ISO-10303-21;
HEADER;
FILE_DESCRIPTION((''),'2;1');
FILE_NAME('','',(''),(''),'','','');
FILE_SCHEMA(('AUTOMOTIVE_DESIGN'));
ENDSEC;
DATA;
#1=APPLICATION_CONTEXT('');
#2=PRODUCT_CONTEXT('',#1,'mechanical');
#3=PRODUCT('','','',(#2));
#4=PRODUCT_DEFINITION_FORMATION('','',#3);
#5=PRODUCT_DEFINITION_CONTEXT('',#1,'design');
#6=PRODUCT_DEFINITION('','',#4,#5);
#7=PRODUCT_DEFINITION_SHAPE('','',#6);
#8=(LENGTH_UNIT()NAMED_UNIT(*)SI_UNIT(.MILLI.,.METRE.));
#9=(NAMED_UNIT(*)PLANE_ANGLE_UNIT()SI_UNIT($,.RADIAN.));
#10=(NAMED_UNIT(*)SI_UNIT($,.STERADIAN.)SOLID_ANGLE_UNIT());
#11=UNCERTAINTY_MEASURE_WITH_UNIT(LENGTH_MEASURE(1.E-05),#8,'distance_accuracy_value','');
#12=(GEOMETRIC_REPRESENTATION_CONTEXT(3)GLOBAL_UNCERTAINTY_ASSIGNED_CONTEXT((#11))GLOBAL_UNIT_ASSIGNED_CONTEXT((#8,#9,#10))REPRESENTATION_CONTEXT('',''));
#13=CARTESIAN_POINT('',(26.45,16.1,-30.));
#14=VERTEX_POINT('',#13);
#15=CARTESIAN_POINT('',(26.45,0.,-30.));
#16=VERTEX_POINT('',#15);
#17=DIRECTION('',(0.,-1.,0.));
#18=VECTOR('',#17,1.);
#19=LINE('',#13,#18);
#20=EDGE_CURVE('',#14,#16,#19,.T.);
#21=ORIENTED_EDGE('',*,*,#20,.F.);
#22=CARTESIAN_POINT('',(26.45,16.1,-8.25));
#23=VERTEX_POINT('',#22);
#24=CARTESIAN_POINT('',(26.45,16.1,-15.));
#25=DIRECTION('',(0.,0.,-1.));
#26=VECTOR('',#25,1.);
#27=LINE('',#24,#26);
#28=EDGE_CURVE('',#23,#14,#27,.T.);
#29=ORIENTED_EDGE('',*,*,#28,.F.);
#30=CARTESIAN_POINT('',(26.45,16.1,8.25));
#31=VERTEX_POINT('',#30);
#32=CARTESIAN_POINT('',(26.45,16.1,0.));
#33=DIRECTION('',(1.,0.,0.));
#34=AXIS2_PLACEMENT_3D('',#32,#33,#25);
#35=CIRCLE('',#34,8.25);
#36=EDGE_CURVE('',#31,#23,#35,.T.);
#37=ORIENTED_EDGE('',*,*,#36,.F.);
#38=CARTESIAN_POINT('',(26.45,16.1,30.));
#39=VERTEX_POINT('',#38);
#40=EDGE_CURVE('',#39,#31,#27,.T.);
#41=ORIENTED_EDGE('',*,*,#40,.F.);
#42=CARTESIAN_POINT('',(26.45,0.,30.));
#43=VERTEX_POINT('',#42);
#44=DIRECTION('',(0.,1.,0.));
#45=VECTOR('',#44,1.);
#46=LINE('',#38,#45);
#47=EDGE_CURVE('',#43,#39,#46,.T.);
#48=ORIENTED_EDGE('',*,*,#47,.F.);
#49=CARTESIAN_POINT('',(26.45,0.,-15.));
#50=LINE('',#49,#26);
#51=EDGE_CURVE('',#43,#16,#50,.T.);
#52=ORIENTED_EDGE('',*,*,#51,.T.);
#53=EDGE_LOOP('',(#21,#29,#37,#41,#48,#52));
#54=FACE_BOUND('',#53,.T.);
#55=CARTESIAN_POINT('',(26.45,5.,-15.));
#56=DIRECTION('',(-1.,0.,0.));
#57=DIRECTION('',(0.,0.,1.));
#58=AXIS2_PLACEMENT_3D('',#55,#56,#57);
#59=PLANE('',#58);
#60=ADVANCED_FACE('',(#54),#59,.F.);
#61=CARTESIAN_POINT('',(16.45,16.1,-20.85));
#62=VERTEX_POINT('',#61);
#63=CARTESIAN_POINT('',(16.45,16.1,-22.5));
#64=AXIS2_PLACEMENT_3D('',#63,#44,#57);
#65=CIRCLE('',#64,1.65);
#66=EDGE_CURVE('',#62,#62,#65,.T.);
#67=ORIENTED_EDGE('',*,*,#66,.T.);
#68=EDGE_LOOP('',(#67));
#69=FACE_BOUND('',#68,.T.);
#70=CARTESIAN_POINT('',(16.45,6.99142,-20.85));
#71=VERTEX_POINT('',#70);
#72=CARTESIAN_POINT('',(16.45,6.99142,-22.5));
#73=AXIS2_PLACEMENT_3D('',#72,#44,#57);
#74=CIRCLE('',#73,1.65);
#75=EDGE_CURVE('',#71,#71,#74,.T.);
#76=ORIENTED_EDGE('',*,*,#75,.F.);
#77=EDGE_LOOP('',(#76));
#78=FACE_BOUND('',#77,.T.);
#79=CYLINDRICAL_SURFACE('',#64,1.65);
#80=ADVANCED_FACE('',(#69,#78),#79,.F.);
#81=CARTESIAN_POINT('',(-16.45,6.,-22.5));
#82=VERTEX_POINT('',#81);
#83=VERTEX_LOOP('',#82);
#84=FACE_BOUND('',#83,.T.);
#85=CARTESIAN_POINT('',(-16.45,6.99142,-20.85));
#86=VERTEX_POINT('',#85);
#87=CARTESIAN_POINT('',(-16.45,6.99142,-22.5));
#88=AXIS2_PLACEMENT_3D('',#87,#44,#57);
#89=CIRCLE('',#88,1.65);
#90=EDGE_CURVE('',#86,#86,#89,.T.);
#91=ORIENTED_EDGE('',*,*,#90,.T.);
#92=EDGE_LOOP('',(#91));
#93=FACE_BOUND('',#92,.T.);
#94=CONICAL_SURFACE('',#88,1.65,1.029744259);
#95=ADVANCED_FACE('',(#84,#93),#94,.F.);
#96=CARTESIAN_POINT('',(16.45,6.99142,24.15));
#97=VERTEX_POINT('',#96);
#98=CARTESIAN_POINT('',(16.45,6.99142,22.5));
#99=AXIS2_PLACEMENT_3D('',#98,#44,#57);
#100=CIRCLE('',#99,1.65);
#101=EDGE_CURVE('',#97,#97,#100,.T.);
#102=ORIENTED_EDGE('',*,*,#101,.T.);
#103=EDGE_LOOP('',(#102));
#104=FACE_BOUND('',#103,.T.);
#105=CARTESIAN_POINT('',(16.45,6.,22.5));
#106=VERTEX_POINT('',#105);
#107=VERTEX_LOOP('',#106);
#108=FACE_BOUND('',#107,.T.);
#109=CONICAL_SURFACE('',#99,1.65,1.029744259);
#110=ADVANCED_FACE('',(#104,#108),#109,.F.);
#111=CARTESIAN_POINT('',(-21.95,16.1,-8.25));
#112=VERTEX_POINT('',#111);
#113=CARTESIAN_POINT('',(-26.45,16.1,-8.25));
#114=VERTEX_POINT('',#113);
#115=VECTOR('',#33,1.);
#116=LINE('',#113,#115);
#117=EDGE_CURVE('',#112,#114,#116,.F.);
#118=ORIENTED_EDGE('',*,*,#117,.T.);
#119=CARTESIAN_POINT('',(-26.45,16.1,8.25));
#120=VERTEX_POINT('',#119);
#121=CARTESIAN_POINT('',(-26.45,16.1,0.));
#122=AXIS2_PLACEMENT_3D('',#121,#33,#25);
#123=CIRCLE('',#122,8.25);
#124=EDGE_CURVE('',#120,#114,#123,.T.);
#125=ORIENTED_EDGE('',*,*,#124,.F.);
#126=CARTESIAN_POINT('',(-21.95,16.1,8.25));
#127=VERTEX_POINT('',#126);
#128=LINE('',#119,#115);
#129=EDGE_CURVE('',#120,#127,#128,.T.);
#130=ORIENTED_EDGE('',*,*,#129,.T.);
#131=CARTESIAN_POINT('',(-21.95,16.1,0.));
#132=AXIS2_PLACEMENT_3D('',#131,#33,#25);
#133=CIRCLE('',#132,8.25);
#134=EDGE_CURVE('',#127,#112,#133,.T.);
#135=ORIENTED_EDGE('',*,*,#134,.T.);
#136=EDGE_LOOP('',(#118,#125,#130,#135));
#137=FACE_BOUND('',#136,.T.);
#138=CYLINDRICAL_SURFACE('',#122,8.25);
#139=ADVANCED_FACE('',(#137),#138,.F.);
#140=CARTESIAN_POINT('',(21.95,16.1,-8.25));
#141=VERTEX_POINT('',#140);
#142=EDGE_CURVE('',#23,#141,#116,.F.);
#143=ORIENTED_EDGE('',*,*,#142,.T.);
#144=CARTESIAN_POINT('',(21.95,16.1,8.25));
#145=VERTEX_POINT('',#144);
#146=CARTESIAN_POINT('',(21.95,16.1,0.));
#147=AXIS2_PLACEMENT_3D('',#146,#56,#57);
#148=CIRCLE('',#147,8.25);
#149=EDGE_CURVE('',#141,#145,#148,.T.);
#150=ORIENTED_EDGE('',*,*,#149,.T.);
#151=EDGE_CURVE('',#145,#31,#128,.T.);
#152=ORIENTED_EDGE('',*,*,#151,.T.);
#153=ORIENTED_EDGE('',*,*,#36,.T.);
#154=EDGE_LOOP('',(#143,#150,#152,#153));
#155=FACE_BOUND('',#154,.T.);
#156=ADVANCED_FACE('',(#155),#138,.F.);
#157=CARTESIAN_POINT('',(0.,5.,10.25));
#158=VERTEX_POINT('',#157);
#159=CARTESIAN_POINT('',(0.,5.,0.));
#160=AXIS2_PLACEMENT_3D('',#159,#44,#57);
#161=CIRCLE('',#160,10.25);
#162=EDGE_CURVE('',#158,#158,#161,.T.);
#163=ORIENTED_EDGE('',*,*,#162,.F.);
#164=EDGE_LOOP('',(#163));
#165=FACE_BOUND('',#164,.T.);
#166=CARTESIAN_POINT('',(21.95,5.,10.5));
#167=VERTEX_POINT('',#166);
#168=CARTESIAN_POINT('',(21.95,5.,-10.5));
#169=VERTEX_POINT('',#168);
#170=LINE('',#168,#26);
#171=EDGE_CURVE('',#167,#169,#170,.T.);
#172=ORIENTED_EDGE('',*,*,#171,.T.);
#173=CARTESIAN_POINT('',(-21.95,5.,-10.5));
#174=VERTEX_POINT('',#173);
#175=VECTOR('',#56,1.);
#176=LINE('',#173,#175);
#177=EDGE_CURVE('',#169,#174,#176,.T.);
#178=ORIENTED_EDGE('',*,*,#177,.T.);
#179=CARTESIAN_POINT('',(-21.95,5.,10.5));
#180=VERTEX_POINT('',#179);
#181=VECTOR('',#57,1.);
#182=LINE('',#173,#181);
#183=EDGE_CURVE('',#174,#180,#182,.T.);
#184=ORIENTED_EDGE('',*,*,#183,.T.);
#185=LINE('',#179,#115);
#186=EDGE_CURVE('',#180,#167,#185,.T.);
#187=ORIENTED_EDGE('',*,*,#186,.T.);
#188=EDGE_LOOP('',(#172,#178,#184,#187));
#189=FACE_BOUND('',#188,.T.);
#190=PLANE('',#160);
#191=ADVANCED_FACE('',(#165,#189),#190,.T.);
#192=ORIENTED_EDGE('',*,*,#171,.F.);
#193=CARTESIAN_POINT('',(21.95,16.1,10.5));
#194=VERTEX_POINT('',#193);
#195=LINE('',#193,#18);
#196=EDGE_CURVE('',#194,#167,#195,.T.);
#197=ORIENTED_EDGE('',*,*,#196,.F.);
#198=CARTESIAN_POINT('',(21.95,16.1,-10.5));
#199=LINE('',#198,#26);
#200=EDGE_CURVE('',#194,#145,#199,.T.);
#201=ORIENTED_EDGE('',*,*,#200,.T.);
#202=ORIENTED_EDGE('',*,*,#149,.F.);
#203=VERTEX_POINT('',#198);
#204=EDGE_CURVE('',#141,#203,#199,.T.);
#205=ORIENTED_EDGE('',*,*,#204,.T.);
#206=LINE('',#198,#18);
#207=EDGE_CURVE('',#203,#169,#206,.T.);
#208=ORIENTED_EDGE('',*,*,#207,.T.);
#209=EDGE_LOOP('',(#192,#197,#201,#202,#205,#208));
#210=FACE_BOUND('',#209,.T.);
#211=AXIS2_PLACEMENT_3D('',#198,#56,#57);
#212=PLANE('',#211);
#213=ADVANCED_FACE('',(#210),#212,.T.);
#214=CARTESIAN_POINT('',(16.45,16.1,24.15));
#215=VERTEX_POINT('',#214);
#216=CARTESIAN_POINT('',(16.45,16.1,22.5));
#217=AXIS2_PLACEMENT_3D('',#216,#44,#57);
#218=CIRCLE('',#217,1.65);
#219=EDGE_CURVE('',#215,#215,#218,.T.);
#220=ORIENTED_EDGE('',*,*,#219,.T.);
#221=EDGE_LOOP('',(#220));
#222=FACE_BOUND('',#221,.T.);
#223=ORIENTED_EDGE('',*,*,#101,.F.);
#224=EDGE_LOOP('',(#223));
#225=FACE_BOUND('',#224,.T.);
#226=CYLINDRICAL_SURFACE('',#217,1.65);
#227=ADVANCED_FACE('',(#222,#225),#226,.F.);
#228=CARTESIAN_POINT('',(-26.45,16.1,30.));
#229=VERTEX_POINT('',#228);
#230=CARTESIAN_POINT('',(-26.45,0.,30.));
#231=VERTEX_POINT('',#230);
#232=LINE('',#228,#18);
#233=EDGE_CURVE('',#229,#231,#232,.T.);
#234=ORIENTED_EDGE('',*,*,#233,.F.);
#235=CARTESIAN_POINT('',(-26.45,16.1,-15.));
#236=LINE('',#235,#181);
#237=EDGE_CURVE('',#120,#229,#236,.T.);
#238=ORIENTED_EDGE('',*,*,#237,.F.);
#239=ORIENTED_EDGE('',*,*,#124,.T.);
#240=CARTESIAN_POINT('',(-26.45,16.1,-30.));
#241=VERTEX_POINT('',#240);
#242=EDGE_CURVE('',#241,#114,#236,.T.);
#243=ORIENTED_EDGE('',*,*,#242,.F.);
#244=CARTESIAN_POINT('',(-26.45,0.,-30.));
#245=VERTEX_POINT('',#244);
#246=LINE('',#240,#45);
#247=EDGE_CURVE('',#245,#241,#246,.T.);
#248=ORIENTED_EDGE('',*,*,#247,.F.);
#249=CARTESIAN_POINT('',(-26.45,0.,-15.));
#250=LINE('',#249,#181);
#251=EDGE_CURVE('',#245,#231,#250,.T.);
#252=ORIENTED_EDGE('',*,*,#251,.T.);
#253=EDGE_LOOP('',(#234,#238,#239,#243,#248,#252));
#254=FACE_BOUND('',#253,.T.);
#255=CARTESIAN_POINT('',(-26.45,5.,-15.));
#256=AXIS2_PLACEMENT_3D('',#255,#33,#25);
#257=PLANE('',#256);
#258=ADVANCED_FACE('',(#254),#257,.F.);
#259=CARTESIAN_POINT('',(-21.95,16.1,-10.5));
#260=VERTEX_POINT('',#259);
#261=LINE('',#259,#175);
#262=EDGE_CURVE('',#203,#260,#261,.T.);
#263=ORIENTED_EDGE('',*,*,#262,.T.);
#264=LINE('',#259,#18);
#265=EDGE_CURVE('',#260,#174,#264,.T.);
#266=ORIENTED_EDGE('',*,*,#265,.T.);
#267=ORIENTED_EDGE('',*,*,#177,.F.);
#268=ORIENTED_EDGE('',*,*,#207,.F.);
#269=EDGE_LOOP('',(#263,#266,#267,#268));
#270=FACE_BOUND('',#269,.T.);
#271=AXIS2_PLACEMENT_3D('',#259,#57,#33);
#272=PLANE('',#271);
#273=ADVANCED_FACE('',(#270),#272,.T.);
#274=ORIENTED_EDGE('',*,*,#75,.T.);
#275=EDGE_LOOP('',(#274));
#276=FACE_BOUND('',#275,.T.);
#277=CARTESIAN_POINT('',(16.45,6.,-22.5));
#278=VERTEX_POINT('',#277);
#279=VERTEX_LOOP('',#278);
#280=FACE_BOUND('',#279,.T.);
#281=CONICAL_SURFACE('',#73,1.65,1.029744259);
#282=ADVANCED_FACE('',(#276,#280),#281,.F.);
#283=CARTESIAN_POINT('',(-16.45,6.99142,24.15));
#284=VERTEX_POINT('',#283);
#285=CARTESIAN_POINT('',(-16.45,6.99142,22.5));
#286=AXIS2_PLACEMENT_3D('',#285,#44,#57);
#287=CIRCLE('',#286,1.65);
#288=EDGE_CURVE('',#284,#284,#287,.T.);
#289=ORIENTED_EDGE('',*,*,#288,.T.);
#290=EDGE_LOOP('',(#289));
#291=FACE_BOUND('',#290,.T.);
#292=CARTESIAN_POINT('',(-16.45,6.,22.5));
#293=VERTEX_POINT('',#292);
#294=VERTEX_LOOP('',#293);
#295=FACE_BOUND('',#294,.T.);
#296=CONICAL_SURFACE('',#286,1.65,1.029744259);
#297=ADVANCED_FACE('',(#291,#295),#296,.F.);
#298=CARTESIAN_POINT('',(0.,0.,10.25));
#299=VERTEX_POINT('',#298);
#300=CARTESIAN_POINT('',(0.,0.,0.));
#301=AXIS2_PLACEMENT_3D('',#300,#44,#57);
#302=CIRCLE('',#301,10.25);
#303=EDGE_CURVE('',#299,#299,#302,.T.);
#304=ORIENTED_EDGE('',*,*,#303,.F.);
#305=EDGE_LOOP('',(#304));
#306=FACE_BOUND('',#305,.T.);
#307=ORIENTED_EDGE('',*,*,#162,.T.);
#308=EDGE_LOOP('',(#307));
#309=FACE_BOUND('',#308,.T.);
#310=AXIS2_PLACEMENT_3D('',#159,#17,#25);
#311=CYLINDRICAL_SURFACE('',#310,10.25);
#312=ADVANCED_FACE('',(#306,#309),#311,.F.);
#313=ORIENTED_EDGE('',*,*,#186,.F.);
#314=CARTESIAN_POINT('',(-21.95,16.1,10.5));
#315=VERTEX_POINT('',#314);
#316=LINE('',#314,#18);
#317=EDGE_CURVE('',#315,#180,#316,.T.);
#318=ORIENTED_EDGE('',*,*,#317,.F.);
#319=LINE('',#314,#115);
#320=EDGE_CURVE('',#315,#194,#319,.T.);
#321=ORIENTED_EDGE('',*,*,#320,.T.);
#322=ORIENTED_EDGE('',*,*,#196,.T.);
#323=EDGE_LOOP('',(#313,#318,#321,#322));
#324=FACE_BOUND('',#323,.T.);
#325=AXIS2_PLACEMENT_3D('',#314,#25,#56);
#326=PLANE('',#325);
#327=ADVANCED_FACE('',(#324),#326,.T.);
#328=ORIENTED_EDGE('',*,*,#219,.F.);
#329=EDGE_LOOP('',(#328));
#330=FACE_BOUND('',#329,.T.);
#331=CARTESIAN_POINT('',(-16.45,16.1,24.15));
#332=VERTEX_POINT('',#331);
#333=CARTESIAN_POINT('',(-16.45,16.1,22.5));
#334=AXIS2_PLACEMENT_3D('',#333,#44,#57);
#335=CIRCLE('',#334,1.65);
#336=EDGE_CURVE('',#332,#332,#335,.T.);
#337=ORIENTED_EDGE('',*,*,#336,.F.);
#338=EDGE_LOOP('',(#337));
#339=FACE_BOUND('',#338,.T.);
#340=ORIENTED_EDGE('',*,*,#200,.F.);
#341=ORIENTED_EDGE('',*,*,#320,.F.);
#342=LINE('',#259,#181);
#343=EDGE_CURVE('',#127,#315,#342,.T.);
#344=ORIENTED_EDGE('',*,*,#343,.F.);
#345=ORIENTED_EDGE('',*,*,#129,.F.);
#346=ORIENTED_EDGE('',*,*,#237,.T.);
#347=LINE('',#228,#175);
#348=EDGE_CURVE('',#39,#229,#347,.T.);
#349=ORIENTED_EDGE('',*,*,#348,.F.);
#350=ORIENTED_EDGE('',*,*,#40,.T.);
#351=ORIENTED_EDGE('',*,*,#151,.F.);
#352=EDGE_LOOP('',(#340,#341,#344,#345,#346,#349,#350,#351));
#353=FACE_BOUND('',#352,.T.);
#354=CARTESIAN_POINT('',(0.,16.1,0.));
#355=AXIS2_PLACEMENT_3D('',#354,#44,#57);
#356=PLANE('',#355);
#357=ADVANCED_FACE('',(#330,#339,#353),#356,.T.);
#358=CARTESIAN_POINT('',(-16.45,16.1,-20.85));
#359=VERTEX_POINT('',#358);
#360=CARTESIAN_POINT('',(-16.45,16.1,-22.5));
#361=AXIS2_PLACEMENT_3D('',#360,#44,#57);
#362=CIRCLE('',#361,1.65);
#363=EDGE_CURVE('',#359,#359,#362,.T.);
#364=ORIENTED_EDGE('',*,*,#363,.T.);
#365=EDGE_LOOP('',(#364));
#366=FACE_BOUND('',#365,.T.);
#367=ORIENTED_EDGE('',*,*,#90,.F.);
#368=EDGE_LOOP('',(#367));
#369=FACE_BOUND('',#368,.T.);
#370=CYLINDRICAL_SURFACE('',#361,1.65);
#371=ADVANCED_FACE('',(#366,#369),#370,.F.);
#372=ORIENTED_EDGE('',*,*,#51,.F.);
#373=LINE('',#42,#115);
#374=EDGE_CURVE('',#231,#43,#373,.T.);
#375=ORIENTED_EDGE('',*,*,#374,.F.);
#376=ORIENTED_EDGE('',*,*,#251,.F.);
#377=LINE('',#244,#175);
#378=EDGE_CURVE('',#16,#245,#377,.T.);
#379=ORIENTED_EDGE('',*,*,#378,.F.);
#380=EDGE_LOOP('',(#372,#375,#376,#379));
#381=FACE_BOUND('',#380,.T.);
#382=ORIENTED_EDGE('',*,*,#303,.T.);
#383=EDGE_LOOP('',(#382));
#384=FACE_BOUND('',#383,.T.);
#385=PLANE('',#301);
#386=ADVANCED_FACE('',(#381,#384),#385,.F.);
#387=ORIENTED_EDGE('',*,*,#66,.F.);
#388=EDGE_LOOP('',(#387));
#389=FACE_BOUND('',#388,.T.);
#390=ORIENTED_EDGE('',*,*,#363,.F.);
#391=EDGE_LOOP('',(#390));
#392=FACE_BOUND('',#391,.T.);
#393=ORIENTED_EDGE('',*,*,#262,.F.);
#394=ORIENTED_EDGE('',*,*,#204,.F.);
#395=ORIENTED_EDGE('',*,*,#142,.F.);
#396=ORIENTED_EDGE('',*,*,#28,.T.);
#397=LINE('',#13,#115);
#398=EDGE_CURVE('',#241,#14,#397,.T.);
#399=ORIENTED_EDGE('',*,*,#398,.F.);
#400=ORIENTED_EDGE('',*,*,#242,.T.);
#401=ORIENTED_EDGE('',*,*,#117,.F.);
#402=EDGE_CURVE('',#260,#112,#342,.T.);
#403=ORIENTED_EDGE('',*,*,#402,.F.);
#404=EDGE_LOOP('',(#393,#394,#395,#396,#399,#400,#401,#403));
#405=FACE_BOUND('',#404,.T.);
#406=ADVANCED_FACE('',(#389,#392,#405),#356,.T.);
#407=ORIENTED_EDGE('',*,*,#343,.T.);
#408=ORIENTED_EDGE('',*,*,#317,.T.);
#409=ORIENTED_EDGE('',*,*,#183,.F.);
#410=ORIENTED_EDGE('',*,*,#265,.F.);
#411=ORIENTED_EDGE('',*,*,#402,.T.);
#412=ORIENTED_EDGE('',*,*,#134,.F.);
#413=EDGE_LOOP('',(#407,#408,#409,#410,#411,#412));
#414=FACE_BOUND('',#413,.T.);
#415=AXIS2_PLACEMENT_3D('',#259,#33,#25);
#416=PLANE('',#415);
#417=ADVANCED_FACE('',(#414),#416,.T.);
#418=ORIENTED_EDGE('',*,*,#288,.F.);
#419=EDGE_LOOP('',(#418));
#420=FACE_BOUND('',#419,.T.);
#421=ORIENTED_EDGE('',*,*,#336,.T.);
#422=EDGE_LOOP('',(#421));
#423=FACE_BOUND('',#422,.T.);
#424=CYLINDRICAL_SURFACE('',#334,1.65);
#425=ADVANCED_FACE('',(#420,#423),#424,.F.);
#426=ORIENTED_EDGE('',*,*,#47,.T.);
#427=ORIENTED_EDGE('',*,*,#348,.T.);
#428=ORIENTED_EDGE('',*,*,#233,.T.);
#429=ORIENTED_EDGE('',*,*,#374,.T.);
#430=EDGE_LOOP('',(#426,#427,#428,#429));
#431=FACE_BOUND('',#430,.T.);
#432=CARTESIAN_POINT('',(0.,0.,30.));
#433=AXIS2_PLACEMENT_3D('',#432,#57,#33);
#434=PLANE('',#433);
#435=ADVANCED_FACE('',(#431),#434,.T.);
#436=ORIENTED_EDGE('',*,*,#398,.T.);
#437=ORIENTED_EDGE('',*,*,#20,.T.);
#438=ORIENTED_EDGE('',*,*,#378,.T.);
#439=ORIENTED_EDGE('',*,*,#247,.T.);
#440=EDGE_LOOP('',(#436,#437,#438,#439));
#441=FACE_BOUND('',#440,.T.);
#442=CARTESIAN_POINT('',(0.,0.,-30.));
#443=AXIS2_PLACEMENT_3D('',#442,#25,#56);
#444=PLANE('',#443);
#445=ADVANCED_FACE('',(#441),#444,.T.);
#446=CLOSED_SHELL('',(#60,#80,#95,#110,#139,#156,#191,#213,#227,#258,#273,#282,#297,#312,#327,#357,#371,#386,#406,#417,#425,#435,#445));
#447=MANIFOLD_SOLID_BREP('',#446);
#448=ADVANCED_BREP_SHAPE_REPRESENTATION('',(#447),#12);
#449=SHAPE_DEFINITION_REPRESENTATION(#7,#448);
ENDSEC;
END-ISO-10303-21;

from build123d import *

# Parameters (mm, degrees)
SKETCH1_W             = 52.9
SKETCH1_H             = 30
SKETCH1_R             = 10.25
BOSS_EXTRUDE1_DEPTH   = 5
SKETCH3_W             = 52.9
SKETCH3_H             = 30
SKETCH3_W_2           = 43.9
SKETCH3_H_2           = 21
BOSS_EXTRUDE2_DEPTH   = 11.1
SKETCH4_R             = 8.25
CUT_EXTRUDE1_DEPTH    = 53.9
SKETCH5_W             = 52.9
SKETCH5_H             = 5
BOSS_EXTRUDE3_DEPTH   = 15
SKETCH6_W             = 52.9
SKETCH6_H             = 5
BOSS_EXTRUDE4_DEPTH   = 15
SKETCH7_W             = 52.9
SKETCH7_H             = 15
BOSS_EXTRUDE5_DEPTH   = 11.1
M4_TAPPED_HOLE1_D     = 3.3
M4_TAPPED_HOLE1_DEPTH = 9.108579979
M4_TAPPED_HOLE1_TIP   = 0.991420021


with BuildPart() as part:
    # Sketch1 → Boss-Extrude1 (new body)
    with BuildSketch(Plane(origin=(0, 0, 0), x_dir=(1, 0, 0), z_dir=(0, 1, 0))):
        Rectangle(SKETCH1_W, SKETCH1_H)
        Circle(SKETCH1_R, mode=Mode.SUBTRACT)
    extrude(amount=BOSS_EXTRUDE1_DEPTH)

    # Sketch3 → Boss-Extrude2 (add)
    with BuildSketch(Plane(origin=(0, 5, 0), x_dir=(1, 0, 0), z_dir=(0, 1, 0))):
        Rectangle(SKETCH3_W, SKETCH3_H)
        Rectangle(SKETCH3_W_2, SKETCH3_H_2, mode=Mode.SUBTRACT)
    extrude(amount=BOSS_EXTRUDE2_DEPTH)

    # Sketch4 → Cut-Extrude1 (cut, through all)
    with BuildSketch(Plane(origin=(26.45, 0, 0), x_dir=(0, 0, -1), z_dir=(1, 0, 0))):
        with Locations((0, 16.1)):
            Circle(SKETCH4_R)
    extrude(amount=-CUT_EXTRUDE1_DEPTH, mode=Mode.SUBTRACT)

    # Sketch5 → Boss-Extrude3 (add)
    with BuildSketch(Plane.XY.offset(15)):
        with Locations((0, 13.6)):
            Rectangle(SKETCH5_W, SKETCH5_H)
    extrude(amount=BOSS_EXTRUDE3_DEPTH)

    # Sketch6 → Boss-Extrude4 (add)
    with BuildSketch(Plane(origin=(0, 0, -15), x_dir=(-1, 0, 0), z_dir=(0, 0, -1))):
        with Locations((0, 13.6)):
            Rectangle(SKETCH6_W, SKETCH6_H)
    extrude(amount=BOSS_EXTRUDE4_DEPTH)

    # Sketch7 → Boss-Extrude5 (add)
    with BuildSketch(Plane.XZ.offset(-11.1)):
        with Locations((0, 22.5)):
            Rectangle(SKETCH7_W, SKETCH7_H)
        with Locations((0, -22.5)):
            Rectangle(SKETCH7_W, SKETCH7_H)
    extrude(amount=BOSS_EXTRUDE5_DEPTH)

    # M4 Tapped Hole1
    with Locations(Plane(origin=(0, 16.1, 0), x_dir=(1, 0, 0), z_dir=(0, 1, 0))):
        with Locations((-16.45, -22.5), (16.45, -22.5), (16.45, 22.5), (-16.45, 22.5)):
            Hole(M4_TAPPED_HOLE1_D / 2, depth=M4_TAPPED_HOLE1_DEPTH)
            with Locations((0, 0, -(M4_TAPPED_HOLE1_DEPTH + M4_TAPPED_HOLE1_TIP / 2))):  # 118° drill point
                Cone(0, M4_TAPPED_HOLE1_D / 2, M4_TAPPED_HOLE1_TIP, mode=Mode.SUBTRACT)


solid = part.part
